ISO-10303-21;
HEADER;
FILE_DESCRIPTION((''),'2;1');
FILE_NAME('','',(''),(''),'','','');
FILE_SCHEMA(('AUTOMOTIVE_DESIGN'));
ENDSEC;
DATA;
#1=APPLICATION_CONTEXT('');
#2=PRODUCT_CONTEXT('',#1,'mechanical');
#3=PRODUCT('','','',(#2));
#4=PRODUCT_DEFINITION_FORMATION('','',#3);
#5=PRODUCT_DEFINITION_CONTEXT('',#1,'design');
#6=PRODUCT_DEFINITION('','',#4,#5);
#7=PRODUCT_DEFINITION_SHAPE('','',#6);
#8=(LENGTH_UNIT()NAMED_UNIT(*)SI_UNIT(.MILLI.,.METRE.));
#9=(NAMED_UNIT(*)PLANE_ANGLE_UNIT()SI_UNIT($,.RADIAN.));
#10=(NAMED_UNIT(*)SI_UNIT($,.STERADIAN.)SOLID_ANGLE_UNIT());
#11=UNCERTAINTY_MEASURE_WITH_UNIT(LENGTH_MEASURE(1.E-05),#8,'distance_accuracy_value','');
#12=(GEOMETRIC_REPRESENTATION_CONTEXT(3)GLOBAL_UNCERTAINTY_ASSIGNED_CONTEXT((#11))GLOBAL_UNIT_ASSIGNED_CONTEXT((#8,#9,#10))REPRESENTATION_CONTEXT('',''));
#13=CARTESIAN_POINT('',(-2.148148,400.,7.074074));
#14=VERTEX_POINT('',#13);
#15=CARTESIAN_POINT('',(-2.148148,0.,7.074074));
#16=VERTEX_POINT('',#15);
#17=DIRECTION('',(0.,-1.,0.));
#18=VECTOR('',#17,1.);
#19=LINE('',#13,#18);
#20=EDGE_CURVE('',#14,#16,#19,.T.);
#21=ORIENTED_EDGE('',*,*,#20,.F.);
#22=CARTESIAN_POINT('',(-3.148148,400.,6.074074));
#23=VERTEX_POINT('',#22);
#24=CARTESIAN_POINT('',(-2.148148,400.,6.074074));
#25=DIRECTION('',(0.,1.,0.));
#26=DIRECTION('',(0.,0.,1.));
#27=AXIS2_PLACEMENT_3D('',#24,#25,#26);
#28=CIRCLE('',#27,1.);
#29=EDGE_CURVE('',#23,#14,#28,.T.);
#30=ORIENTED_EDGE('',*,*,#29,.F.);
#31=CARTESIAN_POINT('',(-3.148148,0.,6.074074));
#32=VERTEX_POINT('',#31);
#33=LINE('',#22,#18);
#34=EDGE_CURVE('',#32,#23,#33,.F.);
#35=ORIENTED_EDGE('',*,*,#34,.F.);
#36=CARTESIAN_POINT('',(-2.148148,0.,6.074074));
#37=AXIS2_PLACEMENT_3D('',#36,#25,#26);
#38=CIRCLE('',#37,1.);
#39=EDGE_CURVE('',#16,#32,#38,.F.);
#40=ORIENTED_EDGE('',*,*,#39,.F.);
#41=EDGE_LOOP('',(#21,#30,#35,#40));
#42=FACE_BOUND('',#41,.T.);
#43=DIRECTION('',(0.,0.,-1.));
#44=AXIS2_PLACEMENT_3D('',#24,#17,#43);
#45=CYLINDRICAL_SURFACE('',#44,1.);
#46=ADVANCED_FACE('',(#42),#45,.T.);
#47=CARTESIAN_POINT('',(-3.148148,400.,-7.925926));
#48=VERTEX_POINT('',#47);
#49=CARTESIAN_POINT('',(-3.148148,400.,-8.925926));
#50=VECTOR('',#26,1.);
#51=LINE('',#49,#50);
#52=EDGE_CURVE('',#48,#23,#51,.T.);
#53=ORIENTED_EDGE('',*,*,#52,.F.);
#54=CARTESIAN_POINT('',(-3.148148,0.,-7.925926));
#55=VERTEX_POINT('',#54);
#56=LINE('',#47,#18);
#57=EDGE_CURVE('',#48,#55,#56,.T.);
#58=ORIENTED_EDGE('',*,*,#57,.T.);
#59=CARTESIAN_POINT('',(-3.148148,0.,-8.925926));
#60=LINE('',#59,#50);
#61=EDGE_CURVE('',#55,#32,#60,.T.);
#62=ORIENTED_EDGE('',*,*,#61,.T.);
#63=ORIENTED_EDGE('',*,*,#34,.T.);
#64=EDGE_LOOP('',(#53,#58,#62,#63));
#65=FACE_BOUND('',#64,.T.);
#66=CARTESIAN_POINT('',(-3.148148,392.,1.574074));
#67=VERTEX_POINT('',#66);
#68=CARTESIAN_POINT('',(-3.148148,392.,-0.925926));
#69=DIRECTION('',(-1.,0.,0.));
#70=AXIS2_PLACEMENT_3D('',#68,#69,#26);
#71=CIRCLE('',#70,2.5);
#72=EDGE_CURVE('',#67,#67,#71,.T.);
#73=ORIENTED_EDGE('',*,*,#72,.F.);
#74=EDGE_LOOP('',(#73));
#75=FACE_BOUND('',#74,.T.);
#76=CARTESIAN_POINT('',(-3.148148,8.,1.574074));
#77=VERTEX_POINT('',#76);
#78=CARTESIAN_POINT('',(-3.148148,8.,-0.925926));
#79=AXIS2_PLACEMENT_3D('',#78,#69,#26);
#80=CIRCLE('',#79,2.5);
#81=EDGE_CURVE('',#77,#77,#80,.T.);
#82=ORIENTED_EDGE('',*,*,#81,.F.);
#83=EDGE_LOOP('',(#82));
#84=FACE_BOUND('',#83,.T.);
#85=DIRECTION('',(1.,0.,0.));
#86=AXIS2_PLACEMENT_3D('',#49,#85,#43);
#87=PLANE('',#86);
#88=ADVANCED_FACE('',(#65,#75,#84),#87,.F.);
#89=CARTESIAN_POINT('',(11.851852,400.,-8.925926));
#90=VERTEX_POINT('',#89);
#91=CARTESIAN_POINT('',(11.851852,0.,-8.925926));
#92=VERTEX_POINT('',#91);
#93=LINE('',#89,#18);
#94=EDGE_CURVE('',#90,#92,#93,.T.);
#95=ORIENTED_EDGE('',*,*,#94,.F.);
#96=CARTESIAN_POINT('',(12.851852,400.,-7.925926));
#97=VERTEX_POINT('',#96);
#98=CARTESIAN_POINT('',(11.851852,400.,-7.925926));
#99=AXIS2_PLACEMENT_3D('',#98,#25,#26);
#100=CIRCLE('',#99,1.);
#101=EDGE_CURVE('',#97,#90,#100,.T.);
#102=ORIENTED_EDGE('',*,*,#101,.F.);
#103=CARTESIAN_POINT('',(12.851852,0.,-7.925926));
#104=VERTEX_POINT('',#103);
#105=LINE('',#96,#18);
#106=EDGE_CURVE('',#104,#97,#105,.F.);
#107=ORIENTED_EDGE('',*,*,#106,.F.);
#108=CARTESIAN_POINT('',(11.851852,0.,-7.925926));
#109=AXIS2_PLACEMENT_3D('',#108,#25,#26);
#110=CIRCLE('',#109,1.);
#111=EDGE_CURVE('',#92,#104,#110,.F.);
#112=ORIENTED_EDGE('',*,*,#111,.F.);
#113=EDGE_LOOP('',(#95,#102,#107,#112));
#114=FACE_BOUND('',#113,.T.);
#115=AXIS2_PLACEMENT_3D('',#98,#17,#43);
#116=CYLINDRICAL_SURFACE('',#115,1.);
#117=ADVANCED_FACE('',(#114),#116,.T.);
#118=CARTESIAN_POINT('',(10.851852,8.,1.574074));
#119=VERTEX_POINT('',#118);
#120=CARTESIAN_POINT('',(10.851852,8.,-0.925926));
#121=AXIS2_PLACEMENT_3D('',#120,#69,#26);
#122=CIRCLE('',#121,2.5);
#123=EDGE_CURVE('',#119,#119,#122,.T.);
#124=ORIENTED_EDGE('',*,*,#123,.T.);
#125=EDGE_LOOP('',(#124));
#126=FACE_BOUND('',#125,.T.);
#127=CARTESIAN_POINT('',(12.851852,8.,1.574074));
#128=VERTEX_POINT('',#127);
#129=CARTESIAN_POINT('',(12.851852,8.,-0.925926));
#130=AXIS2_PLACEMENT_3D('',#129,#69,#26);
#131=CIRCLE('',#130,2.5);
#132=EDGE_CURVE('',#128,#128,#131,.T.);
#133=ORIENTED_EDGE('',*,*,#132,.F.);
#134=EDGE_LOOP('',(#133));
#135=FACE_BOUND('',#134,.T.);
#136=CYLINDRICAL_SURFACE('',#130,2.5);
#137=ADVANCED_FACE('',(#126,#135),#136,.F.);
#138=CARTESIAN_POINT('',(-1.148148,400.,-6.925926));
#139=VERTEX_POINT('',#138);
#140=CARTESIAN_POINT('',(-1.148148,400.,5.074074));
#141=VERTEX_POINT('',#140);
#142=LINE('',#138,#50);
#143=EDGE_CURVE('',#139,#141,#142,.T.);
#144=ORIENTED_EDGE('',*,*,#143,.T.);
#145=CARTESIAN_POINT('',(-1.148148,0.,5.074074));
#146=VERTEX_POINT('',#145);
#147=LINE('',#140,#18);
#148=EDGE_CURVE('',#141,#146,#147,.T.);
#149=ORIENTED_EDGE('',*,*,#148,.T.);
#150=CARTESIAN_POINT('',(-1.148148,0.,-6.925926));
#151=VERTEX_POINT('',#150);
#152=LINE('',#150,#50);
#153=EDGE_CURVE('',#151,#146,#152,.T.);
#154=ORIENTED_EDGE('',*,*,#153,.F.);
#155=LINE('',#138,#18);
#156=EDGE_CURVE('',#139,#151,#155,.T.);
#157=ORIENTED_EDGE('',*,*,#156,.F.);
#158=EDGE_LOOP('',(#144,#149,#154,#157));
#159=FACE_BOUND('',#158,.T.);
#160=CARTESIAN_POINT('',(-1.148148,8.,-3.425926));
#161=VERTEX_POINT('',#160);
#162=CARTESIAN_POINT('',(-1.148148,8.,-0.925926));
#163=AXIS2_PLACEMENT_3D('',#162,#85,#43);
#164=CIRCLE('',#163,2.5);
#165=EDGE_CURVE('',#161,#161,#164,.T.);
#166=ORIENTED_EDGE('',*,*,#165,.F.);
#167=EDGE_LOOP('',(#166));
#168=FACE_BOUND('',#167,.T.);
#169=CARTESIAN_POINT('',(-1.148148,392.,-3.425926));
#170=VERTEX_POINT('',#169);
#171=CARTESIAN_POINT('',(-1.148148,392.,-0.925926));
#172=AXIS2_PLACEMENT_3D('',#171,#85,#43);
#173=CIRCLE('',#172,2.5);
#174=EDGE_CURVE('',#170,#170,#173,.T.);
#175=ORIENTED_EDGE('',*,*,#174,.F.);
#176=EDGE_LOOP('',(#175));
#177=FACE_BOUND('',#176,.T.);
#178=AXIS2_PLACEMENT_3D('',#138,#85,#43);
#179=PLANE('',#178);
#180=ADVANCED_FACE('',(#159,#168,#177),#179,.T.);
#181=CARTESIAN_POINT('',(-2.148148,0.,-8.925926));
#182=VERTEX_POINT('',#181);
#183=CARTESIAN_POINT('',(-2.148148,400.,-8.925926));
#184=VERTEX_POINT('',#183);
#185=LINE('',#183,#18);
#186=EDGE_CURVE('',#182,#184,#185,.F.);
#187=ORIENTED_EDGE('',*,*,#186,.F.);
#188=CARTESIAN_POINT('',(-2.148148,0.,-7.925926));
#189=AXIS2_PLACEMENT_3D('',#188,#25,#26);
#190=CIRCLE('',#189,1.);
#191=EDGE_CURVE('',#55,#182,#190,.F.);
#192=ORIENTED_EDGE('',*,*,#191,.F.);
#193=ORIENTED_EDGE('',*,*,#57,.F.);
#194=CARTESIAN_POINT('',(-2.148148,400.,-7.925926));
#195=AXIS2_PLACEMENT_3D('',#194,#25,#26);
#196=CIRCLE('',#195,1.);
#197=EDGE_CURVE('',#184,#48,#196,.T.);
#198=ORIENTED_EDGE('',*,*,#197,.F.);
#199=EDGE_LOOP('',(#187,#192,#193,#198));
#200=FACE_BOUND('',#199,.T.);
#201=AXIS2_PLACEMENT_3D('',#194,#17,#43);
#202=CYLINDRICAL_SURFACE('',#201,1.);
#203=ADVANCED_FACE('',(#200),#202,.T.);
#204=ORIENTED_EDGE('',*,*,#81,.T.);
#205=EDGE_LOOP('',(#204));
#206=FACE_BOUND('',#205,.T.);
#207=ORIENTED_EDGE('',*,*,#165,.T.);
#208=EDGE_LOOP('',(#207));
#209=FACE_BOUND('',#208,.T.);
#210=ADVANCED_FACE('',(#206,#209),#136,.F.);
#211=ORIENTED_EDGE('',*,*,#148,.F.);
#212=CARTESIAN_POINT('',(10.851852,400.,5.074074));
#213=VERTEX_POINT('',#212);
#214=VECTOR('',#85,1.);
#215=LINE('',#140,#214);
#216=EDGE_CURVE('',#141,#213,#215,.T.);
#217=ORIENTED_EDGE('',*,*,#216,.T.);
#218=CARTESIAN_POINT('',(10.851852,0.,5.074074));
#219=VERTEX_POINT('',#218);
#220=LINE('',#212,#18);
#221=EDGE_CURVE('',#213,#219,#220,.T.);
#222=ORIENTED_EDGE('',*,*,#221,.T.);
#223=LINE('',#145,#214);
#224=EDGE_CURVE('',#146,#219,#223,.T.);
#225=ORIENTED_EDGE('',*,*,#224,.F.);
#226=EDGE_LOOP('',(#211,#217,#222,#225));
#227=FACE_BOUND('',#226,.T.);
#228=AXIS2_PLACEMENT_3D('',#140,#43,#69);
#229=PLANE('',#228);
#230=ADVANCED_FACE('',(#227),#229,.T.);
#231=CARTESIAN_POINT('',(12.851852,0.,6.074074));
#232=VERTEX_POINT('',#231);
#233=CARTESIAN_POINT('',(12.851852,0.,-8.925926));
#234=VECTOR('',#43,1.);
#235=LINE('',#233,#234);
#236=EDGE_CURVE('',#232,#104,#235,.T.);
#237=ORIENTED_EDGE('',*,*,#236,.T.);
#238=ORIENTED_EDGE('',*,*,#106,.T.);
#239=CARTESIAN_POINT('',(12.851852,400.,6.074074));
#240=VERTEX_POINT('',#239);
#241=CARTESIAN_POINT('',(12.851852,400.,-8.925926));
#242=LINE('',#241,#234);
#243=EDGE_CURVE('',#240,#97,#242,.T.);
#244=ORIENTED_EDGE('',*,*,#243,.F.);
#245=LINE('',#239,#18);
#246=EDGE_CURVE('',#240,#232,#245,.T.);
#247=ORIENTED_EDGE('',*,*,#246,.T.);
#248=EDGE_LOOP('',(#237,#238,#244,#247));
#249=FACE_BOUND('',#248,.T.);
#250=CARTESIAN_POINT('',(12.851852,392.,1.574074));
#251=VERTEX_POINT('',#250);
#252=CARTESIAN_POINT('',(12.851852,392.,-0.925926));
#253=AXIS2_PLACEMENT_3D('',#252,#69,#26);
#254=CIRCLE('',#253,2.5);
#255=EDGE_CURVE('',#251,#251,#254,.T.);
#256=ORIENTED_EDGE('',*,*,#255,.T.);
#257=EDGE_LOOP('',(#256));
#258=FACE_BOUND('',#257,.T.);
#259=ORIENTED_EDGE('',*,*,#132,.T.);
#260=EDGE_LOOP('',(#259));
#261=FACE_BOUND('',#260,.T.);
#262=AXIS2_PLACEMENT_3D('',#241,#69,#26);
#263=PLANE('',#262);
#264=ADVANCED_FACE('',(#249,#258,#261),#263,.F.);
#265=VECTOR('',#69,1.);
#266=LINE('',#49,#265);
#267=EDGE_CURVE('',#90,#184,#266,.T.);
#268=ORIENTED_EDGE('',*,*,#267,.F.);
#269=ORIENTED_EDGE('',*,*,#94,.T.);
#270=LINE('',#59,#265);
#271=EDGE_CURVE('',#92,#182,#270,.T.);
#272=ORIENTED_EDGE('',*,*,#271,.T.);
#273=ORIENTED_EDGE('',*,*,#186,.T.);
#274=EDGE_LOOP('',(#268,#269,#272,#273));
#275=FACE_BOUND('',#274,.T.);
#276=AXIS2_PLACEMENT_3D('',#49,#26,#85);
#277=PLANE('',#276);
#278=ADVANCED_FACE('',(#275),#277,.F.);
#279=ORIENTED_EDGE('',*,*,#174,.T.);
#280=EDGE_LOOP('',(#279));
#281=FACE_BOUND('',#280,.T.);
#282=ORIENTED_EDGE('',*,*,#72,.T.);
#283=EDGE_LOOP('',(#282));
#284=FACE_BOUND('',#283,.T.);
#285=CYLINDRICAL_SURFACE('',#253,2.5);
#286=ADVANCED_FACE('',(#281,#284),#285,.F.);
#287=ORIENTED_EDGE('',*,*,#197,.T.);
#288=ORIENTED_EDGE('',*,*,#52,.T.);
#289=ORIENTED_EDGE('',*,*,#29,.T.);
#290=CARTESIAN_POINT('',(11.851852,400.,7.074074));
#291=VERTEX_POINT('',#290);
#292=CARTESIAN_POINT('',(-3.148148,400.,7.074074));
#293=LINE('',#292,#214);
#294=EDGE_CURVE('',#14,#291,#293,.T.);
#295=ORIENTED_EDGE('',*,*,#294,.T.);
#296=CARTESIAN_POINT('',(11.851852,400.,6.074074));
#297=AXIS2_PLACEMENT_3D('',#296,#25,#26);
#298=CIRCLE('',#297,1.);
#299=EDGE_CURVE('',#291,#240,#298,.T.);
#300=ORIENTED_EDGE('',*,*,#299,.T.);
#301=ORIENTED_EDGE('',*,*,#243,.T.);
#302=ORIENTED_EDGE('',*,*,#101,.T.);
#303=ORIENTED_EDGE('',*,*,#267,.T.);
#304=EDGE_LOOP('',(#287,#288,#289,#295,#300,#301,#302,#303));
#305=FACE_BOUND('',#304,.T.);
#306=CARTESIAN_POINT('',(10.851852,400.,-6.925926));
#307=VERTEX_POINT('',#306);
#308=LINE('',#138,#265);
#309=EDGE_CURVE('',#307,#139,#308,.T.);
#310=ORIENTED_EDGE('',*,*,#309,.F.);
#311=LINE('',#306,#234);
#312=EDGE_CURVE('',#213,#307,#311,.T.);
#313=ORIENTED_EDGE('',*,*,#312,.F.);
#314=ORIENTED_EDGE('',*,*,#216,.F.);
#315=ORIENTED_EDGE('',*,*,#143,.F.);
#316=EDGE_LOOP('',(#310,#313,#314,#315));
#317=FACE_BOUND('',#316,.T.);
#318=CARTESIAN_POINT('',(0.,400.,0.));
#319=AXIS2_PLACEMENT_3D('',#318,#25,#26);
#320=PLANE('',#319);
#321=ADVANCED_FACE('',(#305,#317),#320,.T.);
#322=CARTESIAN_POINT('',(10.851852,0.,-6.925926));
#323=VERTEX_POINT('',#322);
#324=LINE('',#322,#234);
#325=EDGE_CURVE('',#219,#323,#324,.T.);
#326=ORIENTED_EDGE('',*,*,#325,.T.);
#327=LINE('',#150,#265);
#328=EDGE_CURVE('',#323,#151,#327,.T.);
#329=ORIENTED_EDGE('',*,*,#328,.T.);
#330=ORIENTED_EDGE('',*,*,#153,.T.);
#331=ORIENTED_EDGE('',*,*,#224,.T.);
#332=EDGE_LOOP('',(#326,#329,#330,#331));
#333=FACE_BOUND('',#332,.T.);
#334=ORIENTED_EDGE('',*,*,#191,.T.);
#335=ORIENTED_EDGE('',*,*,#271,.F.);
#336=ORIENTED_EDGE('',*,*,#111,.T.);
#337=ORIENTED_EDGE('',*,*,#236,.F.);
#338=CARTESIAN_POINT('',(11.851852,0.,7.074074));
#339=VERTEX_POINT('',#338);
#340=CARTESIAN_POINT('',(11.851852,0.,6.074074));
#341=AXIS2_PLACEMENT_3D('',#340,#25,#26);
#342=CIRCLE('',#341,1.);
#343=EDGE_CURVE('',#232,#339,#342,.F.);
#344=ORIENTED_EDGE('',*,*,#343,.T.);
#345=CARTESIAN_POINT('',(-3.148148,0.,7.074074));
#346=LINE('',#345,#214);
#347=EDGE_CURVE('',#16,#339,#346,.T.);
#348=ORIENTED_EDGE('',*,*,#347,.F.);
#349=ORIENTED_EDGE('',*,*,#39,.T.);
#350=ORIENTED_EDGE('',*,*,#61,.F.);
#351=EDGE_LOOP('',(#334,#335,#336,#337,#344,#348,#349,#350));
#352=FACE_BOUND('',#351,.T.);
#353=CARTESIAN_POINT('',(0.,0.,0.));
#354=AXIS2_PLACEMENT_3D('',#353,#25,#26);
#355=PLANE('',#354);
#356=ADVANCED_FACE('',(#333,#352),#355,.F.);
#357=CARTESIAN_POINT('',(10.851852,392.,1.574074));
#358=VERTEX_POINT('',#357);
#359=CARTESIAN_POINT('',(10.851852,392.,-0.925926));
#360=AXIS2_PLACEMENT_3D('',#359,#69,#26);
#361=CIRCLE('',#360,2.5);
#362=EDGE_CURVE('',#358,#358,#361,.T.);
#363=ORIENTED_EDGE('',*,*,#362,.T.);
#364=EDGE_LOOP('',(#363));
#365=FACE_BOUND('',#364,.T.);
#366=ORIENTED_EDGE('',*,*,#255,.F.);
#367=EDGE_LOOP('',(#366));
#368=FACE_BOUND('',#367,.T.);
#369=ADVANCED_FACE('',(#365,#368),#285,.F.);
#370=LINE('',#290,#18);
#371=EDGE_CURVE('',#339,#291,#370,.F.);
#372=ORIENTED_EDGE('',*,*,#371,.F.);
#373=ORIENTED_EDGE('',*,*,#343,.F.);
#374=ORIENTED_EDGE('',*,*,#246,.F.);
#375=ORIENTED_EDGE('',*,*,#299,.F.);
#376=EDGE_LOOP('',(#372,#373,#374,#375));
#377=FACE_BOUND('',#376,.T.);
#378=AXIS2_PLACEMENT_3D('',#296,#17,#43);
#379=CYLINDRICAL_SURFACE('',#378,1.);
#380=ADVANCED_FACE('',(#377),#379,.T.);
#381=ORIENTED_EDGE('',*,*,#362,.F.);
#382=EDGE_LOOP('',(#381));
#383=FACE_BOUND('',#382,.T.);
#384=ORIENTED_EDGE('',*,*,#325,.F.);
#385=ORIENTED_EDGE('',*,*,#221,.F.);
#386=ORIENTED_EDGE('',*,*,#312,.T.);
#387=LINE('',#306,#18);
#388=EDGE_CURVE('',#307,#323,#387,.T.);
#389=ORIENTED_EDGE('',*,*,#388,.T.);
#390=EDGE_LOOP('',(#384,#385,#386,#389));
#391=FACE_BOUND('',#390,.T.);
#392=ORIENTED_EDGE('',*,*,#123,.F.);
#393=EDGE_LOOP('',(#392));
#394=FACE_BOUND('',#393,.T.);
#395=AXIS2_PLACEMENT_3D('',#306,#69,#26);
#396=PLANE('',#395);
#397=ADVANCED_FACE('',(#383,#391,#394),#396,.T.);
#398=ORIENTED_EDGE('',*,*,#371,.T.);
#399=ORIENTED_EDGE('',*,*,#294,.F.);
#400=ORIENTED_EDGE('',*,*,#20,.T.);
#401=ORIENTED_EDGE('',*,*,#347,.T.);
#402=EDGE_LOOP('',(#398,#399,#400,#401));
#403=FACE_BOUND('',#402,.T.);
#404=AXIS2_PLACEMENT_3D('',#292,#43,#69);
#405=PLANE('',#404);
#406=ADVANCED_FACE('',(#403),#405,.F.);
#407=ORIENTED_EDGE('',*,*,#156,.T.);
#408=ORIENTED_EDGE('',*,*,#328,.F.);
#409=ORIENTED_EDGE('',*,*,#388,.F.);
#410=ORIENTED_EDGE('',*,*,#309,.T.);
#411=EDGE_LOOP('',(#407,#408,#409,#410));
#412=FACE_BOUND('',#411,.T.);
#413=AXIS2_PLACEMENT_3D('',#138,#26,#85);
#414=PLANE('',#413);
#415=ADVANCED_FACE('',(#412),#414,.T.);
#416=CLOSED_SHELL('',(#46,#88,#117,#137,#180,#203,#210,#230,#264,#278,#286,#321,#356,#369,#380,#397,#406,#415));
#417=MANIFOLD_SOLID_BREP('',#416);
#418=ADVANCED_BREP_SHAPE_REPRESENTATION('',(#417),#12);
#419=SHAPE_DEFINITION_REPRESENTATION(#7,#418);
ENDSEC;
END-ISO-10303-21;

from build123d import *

# Parameters (mm, degrees)
SKETCH1_W           = 16
SKETCH1_H           = 16
SKETCH1_W_2         = 12
SKETCH1_H_2         = 12
BOSS_EXTRUDE1_DEPTH = 400
FILLET2_R           = 1
SKETCH2_R           = 2.5
CUT_EXTRUDE1_DEPTH  = 16


with BuildPart() as part:
    # Sketch1 → Boss-Extrude1 (new body)
    with BuildSketch(Plane(origin=(0, 0, 0), x_dir=(1, 0, 0), z_dir=(0, 1, 0))):
        with Locations((4.851851852, 0.925925926)):
            Rectangle(SKETCH1_W, SKETCH1_H)
        with Locations((4.851851852, 0.925925926)):
            Rectangle(SKETCH1_W_2, SKETCH1_H_2, mode=Mode.SUBTRACT)
    extrude(amount=BOSS_EXTRUDE1_DEPTH)

    # Fillet2
    fillet2_edges = [part.edges().sort_by_distance(p)[0] for p in [
        (-3.148148148, 200, -8.925925926),
        (12.851851852, 200, -8.925925926),
        (12.851851852, 200, 7.074074074),
        (-3.148148148, 200, 7.074074074),
    ]]
    fillet(fillet2_edges, radius=FILLET2_R)

    # Sketch2 → Cut-Extrude1 (cut)
    with BuildSketch(Plane.ZY.offset(3.148148148)):
        with Locations((-0.925925926, 8)):
            Circle(SKETCH2_R)
        with Locations((-0.925925926, 392)):
            Circle(SKETCH2_R)
    extrude(amount=-CUT_EXTRUDE1_DEPTH, mode=Mode.SUBTRACT)


solid = part.part
